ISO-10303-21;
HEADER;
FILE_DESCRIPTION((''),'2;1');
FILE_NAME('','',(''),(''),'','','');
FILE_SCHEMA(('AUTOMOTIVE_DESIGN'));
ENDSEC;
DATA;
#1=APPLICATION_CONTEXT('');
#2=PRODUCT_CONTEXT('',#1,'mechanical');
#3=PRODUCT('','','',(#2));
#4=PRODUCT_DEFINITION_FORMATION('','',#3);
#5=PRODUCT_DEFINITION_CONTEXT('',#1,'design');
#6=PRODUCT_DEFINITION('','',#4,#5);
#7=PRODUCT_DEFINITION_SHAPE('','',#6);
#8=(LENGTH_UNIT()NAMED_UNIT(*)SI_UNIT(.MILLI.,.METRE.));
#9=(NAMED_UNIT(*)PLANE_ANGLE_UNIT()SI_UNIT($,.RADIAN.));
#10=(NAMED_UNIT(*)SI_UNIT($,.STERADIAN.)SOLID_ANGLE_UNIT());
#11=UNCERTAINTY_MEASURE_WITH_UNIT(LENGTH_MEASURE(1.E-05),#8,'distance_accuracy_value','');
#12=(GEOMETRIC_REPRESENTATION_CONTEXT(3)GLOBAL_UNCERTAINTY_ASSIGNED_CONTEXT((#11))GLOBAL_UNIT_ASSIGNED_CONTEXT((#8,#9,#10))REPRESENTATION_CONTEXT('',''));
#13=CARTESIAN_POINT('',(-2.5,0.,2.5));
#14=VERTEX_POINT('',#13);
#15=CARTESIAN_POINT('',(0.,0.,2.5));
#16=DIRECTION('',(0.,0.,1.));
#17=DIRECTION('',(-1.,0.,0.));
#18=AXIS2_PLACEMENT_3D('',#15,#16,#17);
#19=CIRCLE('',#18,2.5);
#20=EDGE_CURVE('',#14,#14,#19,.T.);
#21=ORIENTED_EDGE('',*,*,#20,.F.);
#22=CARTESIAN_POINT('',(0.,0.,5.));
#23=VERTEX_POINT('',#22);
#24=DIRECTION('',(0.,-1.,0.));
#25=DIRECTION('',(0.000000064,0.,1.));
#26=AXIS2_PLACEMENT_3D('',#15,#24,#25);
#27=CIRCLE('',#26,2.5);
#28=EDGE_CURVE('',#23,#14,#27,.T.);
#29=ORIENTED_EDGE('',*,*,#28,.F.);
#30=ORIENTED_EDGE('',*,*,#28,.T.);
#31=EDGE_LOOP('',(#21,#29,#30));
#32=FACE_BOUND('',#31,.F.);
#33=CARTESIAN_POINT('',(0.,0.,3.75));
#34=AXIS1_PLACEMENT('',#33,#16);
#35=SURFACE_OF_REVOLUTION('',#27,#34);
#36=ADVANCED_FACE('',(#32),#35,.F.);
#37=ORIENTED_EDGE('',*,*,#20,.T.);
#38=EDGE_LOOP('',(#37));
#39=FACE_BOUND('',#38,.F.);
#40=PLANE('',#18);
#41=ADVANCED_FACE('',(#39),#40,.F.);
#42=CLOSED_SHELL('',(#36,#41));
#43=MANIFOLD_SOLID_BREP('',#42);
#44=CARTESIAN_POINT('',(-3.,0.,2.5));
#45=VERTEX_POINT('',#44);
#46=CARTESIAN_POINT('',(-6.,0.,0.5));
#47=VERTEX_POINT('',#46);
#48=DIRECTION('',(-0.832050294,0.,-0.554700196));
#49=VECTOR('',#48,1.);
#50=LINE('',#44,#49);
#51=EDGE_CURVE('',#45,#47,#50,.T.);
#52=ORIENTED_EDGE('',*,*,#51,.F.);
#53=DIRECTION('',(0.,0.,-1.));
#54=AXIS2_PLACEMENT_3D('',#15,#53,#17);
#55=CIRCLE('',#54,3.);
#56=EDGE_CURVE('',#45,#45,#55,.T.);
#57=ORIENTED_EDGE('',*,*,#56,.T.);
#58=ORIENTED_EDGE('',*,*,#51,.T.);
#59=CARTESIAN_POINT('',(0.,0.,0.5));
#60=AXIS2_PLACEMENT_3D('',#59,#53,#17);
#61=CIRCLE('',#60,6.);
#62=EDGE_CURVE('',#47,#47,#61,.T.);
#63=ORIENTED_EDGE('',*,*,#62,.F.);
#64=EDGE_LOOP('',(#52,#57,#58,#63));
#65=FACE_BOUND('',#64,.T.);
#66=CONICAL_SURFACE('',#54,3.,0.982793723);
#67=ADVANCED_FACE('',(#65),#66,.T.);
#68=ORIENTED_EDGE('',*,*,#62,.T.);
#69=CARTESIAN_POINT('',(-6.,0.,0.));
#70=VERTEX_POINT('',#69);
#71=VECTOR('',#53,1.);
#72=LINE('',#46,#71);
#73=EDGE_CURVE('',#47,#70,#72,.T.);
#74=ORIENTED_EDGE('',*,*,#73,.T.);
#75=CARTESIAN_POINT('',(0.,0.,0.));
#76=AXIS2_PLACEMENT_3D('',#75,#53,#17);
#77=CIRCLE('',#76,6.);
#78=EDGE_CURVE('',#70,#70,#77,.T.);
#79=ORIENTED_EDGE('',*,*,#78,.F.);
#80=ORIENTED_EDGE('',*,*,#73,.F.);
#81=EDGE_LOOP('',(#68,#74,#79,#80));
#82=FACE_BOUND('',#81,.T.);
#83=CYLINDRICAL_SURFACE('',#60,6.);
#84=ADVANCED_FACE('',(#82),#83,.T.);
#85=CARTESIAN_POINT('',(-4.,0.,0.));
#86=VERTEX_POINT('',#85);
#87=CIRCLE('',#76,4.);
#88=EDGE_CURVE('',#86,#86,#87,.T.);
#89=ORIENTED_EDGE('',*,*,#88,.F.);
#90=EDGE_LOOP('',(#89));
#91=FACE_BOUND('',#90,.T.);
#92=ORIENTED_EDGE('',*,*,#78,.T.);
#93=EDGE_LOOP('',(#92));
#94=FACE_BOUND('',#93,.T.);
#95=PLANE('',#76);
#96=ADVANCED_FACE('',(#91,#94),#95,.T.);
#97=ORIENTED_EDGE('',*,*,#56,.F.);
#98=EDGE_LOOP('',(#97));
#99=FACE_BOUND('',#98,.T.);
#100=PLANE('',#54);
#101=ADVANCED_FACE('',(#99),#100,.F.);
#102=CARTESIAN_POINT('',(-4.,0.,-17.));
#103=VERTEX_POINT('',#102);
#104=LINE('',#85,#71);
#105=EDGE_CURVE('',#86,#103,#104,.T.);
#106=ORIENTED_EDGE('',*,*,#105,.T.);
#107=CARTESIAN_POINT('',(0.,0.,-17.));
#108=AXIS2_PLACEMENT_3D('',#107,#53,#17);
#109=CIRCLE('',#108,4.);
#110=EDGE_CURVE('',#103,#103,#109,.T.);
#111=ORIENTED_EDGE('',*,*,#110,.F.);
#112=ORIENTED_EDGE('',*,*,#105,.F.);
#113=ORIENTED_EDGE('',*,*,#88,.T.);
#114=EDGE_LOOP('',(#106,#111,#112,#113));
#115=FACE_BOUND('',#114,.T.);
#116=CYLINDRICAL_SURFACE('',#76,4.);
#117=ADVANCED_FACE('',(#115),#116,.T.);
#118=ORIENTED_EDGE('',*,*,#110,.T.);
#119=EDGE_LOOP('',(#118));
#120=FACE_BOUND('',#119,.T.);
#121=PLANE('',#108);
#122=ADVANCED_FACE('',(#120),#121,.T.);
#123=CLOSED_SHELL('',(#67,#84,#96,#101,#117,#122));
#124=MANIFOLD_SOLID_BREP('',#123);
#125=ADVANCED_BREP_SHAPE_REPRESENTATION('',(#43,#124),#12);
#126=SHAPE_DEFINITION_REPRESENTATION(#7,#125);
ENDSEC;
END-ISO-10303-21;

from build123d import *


with BuildPart() as f1:
    # F0 (on Front) → F1 (revolve)
    with BuildSketch(Plane.XZ):
        Polygon((0, -17), (0, 2.5), (-3, 2.5), (-6, 0.5), (-6, 0), (-4, 0), (-4, -17), align=None)
    revolve(axis=Axis((0, 0, -7.25), (0, 0, -1)))


with BuildPart() as f3:
    # F2 (on Front) → F3 (revolve)
    with BuildSketch(Plane.XZ):
        with BuildLine():
            Line((-2.5, 2.5), (0, 2.5))
            Line((0, 2.5), (0, 5))
            ThreePointArc((0, 5), (-1.767767, 4.267767), (-2.5, 2.5))
        make_face()
    revolve(axis=Axis((0, 0, 3.75), (0, 0, 1)))


solid = Compound([f1.part, f3.part])
